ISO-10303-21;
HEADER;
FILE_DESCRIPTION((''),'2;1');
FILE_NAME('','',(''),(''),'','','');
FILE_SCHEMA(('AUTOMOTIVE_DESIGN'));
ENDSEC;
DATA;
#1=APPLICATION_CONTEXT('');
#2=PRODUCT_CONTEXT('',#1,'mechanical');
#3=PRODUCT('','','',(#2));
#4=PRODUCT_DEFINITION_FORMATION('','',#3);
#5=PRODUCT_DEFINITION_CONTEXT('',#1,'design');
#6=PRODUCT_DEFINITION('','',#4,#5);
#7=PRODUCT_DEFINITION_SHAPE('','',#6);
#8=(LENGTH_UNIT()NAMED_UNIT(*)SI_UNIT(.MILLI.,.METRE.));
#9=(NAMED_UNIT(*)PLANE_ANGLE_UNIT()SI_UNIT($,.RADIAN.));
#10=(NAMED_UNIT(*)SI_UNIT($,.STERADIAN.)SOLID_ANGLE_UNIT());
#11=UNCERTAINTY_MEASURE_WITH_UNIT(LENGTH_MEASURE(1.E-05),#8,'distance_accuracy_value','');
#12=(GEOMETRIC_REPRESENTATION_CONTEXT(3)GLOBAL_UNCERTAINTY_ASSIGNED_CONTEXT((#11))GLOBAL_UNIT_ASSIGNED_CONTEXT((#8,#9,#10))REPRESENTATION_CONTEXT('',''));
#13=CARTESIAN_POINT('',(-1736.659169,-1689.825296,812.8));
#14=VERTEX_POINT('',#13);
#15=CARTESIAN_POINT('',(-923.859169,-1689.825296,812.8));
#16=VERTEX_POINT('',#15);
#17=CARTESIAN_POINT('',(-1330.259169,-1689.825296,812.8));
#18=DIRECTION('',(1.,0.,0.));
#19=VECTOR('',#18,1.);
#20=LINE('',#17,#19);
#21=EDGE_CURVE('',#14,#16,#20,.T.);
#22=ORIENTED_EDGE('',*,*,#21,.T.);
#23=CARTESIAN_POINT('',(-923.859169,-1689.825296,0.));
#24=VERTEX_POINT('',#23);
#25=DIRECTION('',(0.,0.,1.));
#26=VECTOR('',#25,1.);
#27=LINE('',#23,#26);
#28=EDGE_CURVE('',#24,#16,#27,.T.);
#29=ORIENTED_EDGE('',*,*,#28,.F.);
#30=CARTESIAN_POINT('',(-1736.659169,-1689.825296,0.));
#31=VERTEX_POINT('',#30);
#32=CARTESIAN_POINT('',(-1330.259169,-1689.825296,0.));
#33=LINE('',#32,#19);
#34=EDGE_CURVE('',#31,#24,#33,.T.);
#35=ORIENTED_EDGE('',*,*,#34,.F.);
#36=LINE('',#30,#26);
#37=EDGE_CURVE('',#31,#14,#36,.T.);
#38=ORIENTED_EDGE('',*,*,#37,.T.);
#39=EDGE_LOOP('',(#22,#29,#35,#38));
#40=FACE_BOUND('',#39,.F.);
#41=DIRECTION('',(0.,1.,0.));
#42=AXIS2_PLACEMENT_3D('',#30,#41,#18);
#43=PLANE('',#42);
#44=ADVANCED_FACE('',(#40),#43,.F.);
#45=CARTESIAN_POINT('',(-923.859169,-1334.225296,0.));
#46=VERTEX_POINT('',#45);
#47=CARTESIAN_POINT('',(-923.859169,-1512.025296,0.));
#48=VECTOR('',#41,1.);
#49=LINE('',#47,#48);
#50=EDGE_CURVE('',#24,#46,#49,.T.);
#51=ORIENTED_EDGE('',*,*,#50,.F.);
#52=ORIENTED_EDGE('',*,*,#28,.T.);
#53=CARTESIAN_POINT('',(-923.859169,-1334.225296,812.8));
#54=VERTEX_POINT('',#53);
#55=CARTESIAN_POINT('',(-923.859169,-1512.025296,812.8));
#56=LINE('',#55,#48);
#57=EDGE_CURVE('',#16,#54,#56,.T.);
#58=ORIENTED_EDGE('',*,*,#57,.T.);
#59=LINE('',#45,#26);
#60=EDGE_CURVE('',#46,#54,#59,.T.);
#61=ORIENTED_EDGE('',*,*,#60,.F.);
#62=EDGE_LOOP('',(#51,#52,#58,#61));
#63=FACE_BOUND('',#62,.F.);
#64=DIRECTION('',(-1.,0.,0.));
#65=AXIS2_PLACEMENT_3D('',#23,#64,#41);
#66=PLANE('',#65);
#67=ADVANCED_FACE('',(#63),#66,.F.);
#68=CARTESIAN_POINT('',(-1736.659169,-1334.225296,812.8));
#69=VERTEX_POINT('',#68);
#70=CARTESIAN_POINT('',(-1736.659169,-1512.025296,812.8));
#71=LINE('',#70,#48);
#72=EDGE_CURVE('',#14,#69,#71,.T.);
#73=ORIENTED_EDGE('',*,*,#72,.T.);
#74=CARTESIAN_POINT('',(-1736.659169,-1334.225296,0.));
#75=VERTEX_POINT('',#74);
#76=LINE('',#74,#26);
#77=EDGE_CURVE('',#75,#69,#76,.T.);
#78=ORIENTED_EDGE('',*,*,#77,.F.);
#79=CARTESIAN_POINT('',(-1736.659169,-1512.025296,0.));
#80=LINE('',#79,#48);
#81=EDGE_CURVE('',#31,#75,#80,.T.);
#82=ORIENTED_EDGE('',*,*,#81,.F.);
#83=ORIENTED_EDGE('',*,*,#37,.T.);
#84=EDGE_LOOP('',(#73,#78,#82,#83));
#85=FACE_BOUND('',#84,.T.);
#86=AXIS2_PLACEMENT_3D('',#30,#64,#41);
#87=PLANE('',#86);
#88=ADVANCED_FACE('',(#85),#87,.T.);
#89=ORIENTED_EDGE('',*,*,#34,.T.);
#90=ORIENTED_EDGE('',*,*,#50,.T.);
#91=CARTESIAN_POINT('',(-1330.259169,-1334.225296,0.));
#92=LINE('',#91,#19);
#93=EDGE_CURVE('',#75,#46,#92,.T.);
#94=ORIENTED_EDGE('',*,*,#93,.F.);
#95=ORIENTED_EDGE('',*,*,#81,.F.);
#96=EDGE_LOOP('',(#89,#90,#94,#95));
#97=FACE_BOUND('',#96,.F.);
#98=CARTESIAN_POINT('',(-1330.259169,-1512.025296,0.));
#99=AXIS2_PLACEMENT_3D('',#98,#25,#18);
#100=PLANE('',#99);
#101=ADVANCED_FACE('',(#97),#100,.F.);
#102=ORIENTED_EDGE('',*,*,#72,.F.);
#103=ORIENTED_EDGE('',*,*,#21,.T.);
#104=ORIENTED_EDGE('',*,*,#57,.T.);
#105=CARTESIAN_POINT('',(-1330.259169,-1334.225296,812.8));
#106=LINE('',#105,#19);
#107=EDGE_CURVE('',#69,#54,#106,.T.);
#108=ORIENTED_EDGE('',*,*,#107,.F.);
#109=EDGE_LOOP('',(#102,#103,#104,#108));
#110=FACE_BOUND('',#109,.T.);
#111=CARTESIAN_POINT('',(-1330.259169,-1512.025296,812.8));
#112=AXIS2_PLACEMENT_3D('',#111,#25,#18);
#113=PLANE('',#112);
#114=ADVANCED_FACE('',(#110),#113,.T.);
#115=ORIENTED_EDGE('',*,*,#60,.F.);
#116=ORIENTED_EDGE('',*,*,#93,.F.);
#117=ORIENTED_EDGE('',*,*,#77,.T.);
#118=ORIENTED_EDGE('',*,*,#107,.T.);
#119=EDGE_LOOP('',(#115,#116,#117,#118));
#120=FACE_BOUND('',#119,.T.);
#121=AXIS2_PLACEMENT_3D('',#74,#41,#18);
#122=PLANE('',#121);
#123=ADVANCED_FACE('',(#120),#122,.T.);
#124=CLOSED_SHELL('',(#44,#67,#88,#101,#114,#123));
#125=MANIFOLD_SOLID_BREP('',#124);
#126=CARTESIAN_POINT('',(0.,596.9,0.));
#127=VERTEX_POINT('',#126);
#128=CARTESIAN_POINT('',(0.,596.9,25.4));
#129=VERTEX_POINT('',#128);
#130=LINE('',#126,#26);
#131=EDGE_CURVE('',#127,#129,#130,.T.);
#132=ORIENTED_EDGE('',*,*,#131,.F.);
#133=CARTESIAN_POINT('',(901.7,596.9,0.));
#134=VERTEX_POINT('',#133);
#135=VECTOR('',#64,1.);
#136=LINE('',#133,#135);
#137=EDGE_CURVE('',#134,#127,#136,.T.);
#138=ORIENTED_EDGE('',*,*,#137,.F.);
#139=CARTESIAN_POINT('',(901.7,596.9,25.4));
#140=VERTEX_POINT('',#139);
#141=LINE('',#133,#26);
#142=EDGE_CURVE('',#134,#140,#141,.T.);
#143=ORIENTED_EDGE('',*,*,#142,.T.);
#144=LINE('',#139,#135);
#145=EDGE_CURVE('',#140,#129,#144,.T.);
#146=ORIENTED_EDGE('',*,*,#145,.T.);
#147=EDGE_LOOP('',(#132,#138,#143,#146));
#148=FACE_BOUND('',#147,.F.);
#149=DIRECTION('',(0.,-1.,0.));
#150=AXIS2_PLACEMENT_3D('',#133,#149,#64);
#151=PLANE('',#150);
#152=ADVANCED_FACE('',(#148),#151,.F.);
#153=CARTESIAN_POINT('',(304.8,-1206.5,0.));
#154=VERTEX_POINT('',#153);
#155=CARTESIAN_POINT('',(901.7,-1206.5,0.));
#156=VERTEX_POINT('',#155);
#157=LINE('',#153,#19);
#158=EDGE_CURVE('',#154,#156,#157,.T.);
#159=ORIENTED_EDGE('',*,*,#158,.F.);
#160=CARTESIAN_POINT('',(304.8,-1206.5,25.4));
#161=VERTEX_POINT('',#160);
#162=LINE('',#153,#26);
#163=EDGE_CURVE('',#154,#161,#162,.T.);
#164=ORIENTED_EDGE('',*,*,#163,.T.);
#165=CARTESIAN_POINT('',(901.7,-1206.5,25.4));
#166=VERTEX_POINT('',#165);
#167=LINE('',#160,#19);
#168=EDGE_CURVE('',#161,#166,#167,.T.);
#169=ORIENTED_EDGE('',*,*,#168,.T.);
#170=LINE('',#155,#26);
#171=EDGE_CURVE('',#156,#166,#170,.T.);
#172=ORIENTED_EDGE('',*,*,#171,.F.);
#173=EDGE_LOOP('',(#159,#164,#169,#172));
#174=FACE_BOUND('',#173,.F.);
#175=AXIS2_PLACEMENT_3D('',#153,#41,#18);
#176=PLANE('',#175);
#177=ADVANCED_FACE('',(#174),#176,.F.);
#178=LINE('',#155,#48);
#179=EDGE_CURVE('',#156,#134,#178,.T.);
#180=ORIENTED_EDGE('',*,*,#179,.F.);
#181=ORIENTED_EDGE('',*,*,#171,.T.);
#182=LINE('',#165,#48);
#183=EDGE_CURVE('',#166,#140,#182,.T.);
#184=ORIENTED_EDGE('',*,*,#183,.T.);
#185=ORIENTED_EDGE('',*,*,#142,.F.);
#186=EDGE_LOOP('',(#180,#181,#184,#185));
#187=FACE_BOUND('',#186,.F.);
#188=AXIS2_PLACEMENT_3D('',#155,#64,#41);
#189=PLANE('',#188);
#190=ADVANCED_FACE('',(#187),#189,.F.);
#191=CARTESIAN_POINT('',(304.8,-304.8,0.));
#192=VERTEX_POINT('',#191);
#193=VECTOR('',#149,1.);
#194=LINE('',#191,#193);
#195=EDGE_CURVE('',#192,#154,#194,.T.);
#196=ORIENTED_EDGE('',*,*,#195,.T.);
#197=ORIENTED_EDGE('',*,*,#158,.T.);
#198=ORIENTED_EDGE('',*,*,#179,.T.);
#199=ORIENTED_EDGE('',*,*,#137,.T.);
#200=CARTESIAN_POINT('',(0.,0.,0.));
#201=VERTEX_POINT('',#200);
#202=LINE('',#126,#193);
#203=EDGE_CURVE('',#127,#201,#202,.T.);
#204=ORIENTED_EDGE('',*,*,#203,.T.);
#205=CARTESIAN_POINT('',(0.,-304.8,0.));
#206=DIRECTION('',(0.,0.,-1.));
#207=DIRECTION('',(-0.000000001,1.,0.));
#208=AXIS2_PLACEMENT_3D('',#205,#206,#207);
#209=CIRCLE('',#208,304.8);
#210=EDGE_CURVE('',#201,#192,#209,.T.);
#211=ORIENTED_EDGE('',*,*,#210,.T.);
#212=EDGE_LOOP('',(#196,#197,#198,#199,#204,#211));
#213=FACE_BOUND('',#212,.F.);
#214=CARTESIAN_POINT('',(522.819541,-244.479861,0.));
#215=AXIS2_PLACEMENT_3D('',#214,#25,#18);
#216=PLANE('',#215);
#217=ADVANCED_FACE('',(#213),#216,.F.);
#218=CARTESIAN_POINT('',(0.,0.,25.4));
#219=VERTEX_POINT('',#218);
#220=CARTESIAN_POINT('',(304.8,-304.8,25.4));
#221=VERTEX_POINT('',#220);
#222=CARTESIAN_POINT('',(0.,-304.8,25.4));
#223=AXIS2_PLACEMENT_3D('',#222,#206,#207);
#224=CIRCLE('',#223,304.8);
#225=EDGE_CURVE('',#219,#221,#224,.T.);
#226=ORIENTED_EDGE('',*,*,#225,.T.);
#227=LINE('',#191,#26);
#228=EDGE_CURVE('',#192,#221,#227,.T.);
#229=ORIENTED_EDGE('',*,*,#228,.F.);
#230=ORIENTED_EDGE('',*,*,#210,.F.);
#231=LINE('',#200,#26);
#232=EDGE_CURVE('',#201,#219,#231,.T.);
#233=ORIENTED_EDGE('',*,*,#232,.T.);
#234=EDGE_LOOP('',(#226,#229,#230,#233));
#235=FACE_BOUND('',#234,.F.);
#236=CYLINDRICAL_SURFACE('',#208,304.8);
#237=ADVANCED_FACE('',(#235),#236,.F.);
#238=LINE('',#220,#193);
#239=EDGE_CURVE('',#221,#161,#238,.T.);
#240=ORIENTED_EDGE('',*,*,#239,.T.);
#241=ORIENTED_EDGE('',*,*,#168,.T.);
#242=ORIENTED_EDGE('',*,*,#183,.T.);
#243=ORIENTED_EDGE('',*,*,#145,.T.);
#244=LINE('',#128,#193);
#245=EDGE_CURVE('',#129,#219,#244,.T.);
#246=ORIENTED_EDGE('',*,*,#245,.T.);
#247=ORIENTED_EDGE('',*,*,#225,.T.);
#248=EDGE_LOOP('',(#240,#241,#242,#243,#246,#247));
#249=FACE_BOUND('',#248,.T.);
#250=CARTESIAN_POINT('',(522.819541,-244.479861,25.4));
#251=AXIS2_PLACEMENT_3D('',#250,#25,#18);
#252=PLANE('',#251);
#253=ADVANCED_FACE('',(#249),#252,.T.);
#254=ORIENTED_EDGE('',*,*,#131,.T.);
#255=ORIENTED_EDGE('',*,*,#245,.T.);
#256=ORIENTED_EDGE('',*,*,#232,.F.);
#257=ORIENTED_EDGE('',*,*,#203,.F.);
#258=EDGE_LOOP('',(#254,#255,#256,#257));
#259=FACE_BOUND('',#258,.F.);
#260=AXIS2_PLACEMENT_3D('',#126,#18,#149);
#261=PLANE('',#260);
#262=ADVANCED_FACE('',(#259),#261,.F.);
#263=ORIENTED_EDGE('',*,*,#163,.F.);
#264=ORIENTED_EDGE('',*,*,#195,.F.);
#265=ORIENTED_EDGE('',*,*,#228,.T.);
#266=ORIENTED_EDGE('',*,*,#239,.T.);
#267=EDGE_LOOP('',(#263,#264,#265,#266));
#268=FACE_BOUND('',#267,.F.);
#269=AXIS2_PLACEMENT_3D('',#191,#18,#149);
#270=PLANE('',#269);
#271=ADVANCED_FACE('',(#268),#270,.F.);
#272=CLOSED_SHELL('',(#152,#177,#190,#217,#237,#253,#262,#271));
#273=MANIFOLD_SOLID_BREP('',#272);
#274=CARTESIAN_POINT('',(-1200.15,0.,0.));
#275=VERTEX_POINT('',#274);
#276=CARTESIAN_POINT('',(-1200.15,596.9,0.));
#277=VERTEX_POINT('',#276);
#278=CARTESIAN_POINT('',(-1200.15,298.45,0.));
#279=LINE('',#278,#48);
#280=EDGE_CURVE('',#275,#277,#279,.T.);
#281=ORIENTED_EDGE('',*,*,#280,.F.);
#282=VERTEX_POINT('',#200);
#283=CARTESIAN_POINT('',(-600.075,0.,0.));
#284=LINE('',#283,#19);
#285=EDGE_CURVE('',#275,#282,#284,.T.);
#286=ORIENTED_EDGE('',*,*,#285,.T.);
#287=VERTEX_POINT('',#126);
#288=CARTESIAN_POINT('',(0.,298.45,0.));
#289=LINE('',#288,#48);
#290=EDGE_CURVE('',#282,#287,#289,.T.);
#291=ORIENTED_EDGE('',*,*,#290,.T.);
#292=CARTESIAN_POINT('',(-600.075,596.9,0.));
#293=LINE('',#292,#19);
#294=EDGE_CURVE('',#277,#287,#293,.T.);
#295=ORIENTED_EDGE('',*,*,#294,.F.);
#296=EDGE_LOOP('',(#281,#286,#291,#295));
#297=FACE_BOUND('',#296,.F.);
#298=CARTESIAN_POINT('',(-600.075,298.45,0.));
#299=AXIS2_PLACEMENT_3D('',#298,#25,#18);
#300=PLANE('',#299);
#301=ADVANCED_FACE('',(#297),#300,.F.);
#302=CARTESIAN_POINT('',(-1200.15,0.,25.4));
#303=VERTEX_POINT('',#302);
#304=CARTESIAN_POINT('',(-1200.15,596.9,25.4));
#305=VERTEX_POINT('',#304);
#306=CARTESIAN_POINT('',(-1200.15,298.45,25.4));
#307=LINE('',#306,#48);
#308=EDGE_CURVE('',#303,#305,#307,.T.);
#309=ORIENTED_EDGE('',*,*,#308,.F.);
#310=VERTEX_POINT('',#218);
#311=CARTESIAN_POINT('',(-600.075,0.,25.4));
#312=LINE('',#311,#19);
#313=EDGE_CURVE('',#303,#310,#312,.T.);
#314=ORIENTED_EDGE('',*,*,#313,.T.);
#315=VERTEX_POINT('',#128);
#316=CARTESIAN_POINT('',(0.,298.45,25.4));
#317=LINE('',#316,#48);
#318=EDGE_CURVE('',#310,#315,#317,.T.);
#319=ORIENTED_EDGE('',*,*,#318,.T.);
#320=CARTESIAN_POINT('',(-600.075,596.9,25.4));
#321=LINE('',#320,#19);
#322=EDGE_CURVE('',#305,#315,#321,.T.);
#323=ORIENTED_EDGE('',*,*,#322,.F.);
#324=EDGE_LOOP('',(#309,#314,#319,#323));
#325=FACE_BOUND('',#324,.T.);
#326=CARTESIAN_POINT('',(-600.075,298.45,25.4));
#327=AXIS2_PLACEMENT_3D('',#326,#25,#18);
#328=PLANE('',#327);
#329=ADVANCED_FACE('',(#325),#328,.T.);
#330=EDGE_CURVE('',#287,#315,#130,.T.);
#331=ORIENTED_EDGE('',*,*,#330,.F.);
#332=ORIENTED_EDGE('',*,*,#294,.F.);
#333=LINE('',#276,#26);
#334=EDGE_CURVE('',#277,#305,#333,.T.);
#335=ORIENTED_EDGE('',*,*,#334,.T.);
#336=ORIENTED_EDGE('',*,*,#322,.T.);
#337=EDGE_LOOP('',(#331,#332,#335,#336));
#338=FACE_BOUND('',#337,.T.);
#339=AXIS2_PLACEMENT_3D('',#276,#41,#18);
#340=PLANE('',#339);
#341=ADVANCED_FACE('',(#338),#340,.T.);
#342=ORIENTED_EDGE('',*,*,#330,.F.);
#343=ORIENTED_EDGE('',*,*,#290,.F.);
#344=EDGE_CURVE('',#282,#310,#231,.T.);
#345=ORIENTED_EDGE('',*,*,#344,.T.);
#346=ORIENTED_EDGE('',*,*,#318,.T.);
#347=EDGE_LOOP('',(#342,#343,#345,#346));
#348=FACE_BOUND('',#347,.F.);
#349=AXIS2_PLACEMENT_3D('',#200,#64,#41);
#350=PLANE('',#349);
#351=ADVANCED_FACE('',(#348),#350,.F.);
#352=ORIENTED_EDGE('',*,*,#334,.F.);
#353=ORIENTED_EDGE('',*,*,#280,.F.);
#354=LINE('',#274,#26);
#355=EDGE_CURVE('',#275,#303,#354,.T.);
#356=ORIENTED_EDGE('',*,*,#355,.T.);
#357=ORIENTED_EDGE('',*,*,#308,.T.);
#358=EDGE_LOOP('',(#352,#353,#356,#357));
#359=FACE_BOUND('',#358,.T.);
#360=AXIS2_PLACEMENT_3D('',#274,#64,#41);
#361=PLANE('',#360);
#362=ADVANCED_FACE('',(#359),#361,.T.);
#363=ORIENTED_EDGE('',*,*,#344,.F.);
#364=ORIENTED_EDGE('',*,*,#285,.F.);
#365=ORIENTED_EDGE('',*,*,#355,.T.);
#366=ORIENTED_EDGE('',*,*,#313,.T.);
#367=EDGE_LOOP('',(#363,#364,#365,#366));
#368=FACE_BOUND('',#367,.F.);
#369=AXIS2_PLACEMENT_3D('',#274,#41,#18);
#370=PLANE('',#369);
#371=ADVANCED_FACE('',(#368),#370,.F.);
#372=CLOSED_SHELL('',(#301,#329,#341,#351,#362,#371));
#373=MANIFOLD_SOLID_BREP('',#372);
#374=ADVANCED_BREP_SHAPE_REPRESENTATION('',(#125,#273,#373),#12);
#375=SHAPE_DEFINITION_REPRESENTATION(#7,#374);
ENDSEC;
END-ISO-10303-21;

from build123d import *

# Parameters (mm, degrees)
F0_W     = 1200.15
F0_H     = 596.9
F1_DEPTH = 25.4
F2_DEPTH = 25.4
F3_W     = 812.8
F3_H     = 355.6
F4_DEPTH = 812.8


with BuildPart() as f1:
    # F0 (on Top) → F1 (new body)
    with BuildSketch(Plane.XY):
        with Locations((-600.075, 298.45)):
            Rectangle(F0_W, F0_H)
    extrude(amount=F1_DEPTH)


with BuildPart() as f2:
    # F0 (on Top) → F2 (new body)
    with BuildSketch(Plane.XY):
        with BuildLine():
            Line((0, 596.9), (0, 0))
            ThreePointArc((0, 0), (215.526147, -89.273853), (304.8, -304.8))
            Line((304.8, -304.8), (304.8, -1206.5))
            Line((304.8, -1206.5), (901.7, -1206.5))
            Line((901.7, -1206.5), (901.7, 596.9))
            Line((901.7, 596.9), (0, 596.9))
        make_face()
    extrude(amount=F2_DEPTH)


with BuildPart() as f4:
    # F3 (on face) → F4 (new body)
    with BuildSketch(Plane.XY):
        with Locations((-1330.259169, -1512.025296)):
            Rectangle(F3_W, F3_H)
    extrude(amount=F4_DEPTH)


solid = Compound([f1.part, f2.part, f4.part])
